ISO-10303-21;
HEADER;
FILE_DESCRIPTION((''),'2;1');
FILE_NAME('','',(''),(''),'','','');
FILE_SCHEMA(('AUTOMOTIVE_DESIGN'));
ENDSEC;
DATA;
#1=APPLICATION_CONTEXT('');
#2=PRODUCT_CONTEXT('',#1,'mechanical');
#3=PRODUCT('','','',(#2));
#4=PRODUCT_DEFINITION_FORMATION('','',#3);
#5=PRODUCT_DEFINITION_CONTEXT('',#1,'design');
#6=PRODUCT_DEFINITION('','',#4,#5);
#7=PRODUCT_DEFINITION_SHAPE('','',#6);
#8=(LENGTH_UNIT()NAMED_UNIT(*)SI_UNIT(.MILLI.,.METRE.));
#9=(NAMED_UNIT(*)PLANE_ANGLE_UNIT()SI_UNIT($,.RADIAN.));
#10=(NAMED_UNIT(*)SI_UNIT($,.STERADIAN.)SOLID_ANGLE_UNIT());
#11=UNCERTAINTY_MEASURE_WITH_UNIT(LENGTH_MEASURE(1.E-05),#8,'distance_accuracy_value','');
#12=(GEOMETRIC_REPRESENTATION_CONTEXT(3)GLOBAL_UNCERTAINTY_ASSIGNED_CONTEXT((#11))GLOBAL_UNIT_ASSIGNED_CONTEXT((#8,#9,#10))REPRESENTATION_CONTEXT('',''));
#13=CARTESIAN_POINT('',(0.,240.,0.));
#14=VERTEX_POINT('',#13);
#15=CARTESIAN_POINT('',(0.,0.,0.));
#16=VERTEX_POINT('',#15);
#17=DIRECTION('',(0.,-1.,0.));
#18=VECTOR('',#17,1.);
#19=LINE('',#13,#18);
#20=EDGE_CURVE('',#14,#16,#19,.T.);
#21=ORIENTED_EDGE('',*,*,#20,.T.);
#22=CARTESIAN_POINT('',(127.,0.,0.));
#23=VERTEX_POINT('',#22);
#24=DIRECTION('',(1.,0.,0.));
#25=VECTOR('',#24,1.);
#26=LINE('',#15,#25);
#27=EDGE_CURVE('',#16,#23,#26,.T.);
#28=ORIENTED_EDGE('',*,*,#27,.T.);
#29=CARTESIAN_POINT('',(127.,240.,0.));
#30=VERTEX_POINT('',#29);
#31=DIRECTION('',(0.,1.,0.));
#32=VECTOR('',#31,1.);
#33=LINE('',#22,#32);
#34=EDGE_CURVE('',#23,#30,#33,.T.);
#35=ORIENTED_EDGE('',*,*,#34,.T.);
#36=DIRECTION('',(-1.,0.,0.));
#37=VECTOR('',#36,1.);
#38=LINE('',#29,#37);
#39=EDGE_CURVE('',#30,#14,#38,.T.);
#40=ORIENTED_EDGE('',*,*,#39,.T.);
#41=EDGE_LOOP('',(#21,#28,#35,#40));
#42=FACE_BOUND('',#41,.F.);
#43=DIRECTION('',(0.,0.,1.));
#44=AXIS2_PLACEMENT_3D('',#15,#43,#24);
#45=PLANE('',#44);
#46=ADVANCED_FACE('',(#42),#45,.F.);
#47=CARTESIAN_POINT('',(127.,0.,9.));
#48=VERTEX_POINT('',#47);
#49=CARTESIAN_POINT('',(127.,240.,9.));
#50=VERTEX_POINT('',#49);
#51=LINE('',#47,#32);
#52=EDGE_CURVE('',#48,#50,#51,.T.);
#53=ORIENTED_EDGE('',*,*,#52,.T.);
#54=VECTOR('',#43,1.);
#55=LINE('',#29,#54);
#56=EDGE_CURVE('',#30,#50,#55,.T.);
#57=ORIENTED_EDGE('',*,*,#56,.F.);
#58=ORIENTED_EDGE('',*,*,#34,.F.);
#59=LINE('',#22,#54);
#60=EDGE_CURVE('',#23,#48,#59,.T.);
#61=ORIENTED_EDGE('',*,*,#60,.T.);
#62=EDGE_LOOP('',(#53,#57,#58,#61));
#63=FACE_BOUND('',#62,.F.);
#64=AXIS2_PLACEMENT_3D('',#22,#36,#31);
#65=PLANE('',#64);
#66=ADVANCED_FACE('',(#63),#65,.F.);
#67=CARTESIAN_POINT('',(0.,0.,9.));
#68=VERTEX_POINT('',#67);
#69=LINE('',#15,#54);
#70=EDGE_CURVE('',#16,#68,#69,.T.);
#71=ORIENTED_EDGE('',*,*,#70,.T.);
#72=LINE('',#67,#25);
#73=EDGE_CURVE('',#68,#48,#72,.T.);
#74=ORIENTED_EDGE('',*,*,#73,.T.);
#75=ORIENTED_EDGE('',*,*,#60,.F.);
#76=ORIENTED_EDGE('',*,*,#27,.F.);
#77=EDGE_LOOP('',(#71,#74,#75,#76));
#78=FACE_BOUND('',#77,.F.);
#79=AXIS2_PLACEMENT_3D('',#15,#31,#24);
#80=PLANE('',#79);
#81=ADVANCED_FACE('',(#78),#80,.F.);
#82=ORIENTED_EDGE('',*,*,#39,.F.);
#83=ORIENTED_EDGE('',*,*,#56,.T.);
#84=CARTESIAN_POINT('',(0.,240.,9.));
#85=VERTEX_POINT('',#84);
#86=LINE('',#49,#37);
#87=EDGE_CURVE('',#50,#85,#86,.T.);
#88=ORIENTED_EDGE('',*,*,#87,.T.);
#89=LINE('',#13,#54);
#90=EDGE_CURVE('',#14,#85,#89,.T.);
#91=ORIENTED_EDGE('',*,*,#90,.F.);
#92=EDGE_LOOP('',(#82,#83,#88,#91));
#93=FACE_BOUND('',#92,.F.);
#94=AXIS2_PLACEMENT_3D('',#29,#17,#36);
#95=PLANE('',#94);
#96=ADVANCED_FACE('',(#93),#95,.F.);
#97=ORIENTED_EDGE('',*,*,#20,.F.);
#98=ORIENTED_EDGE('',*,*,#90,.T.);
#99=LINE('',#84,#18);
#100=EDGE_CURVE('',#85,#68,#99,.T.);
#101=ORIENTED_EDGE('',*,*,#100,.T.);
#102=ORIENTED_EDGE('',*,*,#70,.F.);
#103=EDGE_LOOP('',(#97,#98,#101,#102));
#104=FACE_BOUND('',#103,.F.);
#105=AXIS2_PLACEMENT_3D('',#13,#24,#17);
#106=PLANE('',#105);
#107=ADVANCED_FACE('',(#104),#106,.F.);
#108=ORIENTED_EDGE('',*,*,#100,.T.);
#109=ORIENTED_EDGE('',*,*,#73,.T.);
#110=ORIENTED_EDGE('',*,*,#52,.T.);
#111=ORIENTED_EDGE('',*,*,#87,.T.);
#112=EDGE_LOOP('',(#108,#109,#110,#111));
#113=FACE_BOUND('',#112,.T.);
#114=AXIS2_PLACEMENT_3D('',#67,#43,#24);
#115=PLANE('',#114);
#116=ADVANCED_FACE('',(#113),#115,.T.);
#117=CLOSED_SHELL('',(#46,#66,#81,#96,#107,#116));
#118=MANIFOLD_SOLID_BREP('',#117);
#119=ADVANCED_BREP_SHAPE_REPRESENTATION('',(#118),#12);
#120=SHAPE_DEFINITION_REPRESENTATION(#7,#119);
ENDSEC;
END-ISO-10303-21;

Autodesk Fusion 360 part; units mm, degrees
sketch "Skizze1" plane through (0, 0, 0) normal (0, 0, 1) x (1, 0, 0)
  line L0 (0, 0) -> (127, 0)
  line L1 (127, 0) -> (127, 240)
  line L2 (127, 240) -> (0, 240)
  line L3 (0, 240) -> (0, 0)
  dimension "d1" = 127
  dimension "d2" = 240
extrude "Extrusion1" add sketch "Skizze1" along normal blind 9
